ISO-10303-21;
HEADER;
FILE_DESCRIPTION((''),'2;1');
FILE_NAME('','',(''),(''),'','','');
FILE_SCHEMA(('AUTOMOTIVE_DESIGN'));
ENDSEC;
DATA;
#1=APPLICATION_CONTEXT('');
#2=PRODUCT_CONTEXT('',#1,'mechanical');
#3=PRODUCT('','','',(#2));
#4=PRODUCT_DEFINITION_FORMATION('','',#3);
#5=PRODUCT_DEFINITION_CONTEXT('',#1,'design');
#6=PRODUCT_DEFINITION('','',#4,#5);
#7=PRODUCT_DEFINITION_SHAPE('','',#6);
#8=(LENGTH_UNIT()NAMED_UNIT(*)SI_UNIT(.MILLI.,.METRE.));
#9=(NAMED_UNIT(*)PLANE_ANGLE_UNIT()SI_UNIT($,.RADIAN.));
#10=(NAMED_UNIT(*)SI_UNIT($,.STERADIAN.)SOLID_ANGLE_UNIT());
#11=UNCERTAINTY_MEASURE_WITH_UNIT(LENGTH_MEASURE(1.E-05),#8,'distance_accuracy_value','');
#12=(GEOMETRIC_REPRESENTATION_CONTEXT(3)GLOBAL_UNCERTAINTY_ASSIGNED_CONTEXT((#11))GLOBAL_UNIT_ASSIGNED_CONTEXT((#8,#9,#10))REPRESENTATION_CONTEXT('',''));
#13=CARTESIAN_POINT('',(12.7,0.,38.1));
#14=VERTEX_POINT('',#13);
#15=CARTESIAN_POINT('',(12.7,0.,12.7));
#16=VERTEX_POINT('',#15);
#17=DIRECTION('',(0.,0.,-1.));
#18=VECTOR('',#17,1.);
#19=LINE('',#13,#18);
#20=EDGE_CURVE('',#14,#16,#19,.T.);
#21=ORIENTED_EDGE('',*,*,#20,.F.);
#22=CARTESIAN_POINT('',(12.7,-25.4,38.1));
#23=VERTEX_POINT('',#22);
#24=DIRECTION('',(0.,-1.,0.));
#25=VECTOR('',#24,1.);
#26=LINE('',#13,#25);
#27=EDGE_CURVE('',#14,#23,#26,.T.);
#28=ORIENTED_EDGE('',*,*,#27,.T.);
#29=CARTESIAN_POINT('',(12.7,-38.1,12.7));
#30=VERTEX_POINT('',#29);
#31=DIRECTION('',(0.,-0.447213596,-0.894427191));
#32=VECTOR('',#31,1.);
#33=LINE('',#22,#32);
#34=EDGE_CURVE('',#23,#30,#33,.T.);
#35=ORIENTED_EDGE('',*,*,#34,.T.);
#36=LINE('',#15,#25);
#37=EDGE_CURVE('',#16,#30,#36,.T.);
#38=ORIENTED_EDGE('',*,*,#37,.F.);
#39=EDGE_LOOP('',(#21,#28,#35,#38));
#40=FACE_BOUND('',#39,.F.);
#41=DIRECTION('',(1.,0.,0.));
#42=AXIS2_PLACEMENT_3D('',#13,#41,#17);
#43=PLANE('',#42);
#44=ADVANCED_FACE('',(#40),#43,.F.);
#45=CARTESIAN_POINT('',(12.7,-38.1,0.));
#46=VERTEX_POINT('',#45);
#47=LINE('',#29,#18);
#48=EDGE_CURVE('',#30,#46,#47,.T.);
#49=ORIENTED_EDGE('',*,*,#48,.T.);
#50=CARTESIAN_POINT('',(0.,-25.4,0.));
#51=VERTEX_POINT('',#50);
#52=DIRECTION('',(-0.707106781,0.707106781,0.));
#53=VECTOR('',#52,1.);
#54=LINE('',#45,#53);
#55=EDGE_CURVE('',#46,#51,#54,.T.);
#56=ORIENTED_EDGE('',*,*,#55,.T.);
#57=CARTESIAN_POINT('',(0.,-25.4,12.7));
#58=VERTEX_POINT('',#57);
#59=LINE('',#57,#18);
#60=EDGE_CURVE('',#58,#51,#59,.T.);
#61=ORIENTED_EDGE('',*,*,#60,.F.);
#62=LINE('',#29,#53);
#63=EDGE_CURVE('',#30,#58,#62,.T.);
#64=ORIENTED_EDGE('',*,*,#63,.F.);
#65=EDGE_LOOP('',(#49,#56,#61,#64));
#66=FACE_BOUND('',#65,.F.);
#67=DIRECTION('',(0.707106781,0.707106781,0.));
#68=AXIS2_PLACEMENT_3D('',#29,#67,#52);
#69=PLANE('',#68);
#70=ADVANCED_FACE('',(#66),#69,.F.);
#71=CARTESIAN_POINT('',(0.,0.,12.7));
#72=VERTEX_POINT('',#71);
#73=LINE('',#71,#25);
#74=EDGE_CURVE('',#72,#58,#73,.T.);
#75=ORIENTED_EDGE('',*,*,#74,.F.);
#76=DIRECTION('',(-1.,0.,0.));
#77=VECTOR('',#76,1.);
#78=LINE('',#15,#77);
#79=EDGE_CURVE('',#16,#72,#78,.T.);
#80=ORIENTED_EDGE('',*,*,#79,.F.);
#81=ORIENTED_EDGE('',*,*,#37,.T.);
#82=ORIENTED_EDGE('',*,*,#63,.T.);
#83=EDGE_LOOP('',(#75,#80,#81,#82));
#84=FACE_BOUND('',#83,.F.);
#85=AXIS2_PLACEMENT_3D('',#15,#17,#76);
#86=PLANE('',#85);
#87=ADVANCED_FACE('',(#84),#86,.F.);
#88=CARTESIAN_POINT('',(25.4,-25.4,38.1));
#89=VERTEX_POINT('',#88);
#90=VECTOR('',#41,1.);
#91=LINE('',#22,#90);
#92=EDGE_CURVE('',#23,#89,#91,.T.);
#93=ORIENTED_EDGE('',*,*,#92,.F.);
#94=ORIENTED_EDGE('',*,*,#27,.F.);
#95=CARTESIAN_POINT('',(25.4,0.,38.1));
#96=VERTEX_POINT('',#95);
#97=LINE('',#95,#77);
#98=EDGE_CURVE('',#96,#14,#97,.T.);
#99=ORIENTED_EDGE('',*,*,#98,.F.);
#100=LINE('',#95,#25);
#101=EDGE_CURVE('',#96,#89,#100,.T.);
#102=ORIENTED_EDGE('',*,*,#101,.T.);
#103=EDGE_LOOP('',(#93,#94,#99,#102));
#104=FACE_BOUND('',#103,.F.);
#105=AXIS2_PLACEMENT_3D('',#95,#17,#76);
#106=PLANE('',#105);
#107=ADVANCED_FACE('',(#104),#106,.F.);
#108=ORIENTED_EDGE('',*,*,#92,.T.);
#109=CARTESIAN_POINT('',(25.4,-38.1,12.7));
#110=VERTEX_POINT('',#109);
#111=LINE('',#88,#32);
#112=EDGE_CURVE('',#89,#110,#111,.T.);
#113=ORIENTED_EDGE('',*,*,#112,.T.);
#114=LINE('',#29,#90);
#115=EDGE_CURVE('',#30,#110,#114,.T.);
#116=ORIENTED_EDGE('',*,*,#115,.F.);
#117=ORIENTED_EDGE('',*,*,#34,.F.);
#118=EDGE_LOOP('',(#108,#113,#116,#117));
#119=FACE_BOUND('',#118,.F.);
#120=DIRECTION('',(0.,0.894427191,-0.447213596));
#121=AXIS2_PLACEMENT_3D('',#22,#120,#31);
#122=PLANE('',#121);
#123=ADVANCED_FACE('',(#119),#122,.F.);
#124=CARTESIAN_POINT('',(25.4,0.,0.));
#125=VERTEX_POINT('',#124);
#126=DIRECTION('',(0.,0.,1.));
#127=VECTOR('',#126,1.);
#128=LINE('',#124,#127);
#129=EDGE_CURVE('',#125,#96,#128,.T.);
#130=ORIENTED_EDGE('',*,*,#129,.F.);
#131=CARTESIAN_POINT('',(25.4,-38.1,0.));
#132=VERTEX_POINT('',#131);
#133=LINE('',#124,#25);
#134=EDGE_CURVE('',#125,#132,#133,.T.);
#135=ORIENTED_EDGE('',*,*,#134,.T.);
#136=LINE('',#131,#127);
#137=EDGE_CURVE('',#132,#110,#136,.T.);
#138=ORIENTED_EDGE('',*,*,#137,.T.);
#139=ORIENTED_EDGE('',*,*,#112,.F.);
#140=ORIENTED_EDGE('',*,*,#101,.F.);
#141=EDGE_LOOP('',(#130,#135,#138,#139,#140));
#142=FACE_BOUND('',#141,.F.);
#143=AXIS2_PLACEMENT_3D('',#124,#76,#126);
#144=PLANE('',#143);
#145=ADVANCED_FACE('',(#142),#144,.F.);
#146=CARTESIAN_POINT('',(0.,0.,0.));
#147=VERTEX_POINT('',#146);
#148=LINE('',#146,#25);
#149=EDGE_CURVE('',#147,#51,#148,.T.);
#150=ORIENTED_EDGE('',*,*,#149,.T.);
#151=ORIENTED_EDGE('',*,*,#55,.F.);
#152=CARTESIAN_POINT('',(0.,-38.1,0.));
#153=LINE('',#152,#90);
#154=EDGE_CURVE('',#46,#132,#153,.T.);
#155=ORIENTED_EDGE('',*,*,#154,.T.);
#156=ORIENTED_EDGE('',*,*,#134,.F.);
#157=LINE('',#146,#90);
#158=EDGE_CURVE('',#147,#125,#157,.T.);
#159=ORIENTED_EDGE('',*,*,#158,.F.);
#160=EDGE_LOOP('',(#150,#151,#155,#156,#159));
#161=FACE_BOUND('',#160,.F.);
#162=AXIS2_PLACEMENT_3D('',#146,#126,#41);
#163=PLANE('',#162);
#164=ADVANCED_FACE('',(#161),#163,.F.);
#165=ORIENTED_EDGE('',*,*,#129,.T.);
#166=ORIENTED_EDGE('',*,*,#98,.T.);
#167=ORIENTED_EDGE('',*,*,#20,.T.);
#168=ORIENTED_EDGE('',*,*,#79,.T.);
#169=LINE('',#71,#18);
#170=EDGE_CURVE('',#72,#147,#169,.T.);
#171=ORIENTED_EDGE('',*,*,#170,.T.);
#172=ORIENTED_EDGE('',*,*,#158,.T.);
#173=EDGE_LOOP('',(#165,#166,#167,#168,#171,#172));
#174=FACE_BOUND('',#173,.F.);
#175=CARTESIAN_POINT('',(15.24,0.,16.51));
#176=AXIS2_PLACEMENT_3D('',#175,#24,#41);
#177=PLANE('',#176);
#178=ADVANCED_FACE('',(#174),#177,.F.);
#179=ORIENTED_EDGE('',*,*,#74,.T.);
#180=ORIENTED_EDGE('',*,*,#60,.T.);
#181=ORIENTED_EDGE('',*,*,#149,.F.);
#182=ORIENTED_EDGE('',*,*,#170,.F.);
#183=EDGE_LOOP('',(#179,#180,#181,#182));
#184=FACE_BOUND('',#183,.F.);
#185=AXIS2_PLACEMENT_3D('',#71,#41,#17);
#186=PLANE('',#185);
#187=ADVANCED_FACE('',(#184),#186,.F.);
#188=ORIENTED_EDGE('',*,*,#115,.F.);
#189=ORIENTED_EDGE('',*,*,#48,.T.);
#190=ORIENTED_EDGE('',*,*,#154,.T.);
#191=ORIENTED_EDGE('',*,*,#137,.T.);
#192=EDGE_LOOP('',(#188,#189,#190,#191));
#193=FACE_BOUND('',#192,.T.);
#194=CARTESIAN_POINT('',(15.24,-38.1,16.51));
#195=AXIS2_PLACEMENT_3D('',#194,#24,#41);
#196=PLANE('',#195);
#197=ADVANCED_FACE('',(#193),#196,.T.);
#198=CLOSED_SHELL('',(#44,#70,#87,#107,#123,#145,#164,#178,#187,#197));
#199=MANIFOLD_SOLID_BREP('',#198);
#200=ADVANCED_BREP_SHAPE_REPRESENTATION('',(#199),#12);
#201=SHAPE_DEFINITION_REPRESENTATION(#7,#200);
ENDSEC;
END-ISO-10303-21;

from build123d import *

# Parameters (mm, degrees)
F1_DEPTH = 38.1
F3_DEPTH = 12.7
F5_DEPTH = 12.7
F7_DEPTH = 12.7


with BuildPart() as f1:
    # F0 (on Front) → F1 (new body)
    with BuildSketch(Plane.XZ):
        Polygon((0, 12.7), (0, 0), (25.4, 0), (25.4, 38.1), (12.7, 38.1), (12.7, 12.7), align=None)
    extrude(amount=F1_DEPTH)

    # F2 (on face) → F3 (cut)
    with BuildSketch(Plane.XZ.offset(38.1)):
        Polygon((12.7, 38.1), (0, 38.1), (12.7, 12.7), align=None)
    extrude(amount=-F3_DEPTH, mode=Mode.SUBTRACT)

    # F4 (on face) → F5 (cut)
    with BuildSketch(Plane(origin=(12.7, 0, 0), x_dir=(0, -1, 0), z_dir=(-1, 0, 0))):
        Polygon((38.1, 38.1), (25.4, 38.1), (38.1, 12.7), (38.1, 28.938383), align=None)
    extrude(amount=-F5_DEPTH, mode=Mode.SUBTRACT)

    # F6 (on face) → F7 (cut)
    with BuildSketch(Plane.XY.offset(12.7)):
        Polygon((12.7, -38.1), (0, -25.4), (0, -38.1), align=None)
    extrude(amount=-F7_DEPTH, mode=Mode.SUBTRACT)


solid = f1.part
